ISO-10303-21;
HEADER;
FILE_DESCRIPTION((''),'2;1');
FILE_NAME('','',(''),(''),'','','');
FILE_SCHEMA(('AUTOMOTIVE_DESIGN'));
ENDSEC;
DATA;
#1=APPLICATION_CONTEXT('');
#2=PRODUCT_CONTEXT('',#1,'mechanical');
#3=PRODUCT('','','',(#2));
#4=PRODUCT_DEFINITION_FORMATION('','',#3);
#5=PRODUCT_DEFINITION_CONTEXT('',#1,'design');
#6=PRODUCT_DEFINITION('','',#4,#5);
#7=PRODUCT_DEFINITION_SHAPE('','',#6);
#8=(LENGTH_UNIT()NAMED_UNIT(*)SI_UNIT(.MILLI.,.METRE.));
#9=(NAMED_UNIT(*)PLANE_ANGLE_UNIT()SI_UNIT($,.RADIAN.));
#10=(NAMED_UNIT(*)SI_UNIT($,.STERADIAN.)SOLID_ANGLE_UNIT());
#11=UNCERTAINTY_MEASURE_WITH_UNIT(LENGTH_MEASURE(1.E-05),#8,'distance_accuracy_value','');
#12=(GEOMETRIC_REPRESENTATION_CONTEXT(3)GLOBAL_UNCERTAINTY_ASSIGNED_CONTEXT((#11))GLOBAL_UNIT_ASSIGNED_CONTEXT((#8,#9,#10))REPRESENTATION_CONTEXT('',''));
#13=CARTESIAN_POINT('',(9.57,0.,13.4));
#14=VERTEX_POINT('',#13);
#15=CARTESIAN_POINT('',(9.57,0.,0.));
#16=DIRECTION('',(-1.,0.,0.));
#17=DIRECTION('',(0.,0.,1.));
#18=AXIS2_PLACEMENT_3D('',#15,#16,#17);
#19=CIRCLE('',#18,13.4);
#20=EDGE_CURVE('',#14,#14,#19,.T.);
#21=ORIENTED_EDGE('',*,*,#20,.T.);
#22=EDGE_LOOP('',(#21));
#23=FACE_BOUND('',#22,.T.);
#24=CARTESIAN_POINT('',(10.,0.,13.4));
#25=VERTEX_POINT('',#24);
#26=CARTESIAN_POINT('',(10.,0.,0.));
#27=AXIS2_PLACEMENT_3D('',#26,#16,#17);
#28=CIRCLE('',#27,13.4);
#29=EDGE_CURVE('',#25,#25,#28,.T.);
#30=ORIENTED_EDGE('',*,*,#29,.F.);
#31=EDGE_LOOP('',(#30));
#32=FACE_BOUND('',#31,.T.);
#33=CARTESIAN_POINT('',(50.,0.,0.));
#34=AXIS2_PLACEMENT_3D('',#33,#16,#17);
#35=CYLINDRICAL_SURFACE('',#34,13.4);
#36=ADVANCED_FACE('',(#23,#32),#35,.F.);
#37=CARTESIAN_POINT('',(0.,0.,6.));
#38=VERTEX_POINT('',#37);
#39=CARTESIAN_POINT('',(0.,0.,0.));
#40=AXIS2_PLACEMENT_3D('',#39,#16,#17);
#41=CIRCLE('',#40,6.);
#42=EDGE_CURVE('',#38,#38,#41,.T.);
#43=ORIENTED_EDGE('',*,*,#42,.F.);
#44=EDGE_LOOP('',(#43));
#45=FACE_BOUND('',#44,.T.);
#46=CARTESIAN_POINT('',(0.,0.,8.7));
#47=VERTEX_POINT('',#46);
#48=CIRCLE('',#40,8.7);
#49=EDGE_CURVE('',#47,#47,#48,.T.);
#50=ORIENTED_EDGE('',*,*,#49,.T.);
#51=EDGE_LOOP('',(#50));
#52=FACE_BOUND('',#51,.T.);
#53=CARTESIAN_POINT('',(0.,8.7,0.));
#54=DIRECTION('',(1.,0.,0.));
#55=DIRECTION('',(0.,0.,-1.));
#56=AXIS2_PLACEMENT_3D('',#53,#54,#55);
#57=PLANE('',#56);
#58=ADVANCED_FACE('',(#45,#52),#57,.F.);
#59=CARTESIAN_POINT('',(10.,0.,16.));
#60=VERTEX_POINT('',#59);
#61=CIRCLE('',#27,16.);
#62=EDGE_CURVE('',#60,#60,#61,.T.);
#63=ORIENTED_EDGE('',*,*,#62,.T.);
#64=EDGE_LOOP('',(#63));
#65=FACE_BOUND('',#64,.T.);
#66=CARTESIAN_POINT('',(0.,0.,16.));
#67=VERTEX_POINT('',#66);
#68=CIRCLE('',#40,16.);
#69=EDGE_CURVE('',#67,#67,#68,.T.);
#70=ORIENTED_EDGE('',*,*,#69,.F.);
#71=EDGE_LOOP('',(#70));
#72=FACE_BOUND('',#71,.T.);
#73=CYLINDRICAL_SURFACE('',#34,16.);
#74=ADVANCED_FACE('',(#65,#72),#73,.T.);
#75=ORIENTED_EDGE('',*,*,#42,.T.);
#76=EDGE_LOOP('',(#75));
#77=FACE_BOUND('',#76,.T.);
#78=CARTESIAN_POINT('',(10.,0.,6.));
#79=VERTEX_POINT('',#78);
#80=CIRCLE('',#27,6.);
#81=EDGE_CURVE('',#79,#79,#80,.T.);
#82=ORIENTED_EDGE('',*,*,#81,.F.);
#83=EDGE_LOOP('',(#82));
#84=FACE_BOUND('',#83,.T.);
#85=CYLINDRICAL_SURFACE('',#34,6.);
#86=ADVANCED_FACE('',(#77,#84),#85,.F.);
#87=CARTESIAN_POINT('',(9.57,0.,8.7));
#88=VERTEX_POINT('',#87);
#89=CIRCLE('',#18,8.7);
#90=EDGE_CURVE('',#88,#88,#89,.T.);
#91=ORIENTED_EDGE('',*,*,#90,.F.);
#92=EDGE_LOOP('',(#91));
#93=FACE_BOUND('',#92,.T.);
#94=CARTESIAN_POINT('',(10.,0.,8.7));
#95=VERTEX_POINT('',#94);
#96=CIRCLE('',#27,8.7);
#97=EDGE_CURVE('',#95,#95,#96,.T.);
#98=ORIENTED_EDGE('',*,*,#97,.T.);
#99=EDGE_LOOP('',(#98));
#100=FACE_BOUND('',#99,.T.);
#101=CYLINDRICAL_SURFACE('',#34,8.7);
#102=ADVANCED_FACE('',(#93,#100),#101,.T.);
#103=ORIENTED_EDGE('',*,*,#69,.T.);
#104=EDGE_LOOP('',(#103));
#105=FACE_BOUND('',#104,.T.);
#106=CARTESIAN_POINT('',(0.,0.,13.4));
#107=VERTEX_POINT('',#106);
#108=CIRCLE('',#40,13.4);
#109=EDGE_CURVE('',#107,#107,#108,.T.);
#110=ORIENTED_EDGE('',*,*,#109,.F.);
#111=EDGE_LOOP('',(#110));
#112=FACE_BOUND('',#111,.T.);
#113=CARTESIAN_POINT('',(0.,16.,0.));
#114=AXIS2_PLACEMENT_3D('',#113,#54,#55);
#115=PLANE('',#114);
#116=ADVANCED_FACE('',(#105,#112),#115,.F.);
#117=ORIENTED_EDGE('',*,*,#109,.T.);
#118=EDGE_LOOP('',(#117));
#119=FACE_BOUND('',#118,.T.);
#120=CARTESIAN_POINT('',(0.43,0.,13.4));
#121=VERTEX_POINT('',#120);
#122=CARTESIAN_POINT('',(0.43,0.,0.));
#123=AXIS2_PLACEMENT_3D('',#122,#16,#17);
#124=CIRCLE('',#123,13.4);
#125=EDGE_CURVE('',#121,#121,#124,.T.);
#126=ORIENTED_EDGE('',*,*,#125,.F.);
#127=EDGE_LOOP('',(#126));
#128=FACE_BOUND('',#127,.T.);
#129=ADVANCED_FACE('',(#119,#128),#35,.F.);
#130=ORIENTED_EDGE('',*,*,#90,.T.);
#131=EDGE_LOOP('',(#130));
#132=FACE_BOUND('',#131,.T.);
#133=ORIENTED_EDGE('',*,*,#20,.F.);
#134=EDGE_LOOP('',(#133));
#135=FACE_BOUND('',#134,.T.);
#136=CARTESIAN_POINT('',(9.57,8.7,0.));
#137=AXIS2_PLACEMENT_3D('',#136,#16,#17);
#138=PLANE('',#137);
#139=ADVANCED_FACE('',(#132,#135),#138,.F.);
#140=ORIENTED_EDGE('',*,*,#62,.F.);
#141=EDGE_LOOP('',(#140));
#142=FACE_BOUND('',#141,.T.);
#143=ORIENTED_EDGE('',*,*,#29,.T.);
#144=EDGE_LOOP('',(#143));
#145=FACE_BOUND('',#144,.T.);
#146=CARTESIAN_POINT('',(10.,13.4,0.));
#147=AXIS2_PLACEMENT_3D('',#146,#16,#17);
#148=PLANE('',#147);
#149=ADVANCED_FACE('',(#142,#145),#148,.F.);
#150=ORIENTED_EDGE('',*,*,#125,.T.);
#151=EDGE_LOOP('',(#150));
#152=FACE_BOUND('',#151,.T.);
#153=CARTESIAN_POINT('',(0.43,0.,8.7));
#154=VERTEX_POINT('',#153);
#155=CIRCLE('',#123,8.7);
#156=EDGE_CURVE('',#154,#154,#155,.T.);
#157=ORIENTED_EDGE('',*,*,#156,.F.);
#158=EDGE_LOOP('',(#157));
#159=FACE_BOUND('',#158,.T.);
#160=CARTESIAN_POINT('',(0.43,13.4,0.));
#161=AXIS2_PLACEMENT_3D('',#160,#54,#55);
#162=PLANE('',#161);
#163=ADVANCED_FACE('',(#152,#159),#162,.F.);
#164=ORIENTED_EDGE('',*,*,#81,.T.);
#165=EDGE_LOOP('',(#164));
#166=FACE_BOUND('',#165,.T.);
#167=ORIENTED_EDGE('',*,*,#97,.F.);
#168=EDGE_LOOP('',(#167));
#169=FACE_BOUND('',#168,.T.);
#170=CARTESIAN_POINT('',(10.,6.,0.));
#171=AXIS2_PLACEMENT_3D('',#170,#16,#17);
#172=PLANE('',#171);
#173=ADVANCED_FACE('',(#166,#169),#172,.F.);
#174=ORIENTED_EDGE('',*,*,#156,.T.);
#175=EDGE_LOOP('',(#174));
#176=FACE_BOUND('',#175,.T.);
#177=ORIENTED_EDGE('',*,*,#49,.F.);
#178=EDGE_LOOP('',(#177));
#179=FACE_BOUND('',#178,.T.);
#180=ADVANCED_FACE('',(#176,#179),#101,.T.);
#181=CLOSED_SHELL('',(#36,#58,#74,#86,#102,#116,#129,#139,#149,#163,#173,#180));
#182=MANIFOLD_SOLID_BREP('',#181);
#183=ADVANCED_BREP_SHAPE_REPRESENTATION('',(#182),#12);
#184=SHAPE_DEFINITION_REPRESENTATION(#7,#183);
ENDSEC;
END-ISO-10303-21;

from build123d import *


with BuildPart() as part:
    # ｽｹｯﾁ1 → 回転1 (revolve)
    with BuildSketch(Plane.XY):
        Polygon((0, 13.4), (0.43, 13.4), (0.43, 8.7), (0, 8.7), (0, 6), (10, 6), (10, 8.7), (9.57, 8.7), (9.57, 13.4), (10, 13.4), (10, 16), (0, 16), align=None)
    revolve(axis=Axis((50, 0, 0), (-1, 0, 0)))


solid = part.part
